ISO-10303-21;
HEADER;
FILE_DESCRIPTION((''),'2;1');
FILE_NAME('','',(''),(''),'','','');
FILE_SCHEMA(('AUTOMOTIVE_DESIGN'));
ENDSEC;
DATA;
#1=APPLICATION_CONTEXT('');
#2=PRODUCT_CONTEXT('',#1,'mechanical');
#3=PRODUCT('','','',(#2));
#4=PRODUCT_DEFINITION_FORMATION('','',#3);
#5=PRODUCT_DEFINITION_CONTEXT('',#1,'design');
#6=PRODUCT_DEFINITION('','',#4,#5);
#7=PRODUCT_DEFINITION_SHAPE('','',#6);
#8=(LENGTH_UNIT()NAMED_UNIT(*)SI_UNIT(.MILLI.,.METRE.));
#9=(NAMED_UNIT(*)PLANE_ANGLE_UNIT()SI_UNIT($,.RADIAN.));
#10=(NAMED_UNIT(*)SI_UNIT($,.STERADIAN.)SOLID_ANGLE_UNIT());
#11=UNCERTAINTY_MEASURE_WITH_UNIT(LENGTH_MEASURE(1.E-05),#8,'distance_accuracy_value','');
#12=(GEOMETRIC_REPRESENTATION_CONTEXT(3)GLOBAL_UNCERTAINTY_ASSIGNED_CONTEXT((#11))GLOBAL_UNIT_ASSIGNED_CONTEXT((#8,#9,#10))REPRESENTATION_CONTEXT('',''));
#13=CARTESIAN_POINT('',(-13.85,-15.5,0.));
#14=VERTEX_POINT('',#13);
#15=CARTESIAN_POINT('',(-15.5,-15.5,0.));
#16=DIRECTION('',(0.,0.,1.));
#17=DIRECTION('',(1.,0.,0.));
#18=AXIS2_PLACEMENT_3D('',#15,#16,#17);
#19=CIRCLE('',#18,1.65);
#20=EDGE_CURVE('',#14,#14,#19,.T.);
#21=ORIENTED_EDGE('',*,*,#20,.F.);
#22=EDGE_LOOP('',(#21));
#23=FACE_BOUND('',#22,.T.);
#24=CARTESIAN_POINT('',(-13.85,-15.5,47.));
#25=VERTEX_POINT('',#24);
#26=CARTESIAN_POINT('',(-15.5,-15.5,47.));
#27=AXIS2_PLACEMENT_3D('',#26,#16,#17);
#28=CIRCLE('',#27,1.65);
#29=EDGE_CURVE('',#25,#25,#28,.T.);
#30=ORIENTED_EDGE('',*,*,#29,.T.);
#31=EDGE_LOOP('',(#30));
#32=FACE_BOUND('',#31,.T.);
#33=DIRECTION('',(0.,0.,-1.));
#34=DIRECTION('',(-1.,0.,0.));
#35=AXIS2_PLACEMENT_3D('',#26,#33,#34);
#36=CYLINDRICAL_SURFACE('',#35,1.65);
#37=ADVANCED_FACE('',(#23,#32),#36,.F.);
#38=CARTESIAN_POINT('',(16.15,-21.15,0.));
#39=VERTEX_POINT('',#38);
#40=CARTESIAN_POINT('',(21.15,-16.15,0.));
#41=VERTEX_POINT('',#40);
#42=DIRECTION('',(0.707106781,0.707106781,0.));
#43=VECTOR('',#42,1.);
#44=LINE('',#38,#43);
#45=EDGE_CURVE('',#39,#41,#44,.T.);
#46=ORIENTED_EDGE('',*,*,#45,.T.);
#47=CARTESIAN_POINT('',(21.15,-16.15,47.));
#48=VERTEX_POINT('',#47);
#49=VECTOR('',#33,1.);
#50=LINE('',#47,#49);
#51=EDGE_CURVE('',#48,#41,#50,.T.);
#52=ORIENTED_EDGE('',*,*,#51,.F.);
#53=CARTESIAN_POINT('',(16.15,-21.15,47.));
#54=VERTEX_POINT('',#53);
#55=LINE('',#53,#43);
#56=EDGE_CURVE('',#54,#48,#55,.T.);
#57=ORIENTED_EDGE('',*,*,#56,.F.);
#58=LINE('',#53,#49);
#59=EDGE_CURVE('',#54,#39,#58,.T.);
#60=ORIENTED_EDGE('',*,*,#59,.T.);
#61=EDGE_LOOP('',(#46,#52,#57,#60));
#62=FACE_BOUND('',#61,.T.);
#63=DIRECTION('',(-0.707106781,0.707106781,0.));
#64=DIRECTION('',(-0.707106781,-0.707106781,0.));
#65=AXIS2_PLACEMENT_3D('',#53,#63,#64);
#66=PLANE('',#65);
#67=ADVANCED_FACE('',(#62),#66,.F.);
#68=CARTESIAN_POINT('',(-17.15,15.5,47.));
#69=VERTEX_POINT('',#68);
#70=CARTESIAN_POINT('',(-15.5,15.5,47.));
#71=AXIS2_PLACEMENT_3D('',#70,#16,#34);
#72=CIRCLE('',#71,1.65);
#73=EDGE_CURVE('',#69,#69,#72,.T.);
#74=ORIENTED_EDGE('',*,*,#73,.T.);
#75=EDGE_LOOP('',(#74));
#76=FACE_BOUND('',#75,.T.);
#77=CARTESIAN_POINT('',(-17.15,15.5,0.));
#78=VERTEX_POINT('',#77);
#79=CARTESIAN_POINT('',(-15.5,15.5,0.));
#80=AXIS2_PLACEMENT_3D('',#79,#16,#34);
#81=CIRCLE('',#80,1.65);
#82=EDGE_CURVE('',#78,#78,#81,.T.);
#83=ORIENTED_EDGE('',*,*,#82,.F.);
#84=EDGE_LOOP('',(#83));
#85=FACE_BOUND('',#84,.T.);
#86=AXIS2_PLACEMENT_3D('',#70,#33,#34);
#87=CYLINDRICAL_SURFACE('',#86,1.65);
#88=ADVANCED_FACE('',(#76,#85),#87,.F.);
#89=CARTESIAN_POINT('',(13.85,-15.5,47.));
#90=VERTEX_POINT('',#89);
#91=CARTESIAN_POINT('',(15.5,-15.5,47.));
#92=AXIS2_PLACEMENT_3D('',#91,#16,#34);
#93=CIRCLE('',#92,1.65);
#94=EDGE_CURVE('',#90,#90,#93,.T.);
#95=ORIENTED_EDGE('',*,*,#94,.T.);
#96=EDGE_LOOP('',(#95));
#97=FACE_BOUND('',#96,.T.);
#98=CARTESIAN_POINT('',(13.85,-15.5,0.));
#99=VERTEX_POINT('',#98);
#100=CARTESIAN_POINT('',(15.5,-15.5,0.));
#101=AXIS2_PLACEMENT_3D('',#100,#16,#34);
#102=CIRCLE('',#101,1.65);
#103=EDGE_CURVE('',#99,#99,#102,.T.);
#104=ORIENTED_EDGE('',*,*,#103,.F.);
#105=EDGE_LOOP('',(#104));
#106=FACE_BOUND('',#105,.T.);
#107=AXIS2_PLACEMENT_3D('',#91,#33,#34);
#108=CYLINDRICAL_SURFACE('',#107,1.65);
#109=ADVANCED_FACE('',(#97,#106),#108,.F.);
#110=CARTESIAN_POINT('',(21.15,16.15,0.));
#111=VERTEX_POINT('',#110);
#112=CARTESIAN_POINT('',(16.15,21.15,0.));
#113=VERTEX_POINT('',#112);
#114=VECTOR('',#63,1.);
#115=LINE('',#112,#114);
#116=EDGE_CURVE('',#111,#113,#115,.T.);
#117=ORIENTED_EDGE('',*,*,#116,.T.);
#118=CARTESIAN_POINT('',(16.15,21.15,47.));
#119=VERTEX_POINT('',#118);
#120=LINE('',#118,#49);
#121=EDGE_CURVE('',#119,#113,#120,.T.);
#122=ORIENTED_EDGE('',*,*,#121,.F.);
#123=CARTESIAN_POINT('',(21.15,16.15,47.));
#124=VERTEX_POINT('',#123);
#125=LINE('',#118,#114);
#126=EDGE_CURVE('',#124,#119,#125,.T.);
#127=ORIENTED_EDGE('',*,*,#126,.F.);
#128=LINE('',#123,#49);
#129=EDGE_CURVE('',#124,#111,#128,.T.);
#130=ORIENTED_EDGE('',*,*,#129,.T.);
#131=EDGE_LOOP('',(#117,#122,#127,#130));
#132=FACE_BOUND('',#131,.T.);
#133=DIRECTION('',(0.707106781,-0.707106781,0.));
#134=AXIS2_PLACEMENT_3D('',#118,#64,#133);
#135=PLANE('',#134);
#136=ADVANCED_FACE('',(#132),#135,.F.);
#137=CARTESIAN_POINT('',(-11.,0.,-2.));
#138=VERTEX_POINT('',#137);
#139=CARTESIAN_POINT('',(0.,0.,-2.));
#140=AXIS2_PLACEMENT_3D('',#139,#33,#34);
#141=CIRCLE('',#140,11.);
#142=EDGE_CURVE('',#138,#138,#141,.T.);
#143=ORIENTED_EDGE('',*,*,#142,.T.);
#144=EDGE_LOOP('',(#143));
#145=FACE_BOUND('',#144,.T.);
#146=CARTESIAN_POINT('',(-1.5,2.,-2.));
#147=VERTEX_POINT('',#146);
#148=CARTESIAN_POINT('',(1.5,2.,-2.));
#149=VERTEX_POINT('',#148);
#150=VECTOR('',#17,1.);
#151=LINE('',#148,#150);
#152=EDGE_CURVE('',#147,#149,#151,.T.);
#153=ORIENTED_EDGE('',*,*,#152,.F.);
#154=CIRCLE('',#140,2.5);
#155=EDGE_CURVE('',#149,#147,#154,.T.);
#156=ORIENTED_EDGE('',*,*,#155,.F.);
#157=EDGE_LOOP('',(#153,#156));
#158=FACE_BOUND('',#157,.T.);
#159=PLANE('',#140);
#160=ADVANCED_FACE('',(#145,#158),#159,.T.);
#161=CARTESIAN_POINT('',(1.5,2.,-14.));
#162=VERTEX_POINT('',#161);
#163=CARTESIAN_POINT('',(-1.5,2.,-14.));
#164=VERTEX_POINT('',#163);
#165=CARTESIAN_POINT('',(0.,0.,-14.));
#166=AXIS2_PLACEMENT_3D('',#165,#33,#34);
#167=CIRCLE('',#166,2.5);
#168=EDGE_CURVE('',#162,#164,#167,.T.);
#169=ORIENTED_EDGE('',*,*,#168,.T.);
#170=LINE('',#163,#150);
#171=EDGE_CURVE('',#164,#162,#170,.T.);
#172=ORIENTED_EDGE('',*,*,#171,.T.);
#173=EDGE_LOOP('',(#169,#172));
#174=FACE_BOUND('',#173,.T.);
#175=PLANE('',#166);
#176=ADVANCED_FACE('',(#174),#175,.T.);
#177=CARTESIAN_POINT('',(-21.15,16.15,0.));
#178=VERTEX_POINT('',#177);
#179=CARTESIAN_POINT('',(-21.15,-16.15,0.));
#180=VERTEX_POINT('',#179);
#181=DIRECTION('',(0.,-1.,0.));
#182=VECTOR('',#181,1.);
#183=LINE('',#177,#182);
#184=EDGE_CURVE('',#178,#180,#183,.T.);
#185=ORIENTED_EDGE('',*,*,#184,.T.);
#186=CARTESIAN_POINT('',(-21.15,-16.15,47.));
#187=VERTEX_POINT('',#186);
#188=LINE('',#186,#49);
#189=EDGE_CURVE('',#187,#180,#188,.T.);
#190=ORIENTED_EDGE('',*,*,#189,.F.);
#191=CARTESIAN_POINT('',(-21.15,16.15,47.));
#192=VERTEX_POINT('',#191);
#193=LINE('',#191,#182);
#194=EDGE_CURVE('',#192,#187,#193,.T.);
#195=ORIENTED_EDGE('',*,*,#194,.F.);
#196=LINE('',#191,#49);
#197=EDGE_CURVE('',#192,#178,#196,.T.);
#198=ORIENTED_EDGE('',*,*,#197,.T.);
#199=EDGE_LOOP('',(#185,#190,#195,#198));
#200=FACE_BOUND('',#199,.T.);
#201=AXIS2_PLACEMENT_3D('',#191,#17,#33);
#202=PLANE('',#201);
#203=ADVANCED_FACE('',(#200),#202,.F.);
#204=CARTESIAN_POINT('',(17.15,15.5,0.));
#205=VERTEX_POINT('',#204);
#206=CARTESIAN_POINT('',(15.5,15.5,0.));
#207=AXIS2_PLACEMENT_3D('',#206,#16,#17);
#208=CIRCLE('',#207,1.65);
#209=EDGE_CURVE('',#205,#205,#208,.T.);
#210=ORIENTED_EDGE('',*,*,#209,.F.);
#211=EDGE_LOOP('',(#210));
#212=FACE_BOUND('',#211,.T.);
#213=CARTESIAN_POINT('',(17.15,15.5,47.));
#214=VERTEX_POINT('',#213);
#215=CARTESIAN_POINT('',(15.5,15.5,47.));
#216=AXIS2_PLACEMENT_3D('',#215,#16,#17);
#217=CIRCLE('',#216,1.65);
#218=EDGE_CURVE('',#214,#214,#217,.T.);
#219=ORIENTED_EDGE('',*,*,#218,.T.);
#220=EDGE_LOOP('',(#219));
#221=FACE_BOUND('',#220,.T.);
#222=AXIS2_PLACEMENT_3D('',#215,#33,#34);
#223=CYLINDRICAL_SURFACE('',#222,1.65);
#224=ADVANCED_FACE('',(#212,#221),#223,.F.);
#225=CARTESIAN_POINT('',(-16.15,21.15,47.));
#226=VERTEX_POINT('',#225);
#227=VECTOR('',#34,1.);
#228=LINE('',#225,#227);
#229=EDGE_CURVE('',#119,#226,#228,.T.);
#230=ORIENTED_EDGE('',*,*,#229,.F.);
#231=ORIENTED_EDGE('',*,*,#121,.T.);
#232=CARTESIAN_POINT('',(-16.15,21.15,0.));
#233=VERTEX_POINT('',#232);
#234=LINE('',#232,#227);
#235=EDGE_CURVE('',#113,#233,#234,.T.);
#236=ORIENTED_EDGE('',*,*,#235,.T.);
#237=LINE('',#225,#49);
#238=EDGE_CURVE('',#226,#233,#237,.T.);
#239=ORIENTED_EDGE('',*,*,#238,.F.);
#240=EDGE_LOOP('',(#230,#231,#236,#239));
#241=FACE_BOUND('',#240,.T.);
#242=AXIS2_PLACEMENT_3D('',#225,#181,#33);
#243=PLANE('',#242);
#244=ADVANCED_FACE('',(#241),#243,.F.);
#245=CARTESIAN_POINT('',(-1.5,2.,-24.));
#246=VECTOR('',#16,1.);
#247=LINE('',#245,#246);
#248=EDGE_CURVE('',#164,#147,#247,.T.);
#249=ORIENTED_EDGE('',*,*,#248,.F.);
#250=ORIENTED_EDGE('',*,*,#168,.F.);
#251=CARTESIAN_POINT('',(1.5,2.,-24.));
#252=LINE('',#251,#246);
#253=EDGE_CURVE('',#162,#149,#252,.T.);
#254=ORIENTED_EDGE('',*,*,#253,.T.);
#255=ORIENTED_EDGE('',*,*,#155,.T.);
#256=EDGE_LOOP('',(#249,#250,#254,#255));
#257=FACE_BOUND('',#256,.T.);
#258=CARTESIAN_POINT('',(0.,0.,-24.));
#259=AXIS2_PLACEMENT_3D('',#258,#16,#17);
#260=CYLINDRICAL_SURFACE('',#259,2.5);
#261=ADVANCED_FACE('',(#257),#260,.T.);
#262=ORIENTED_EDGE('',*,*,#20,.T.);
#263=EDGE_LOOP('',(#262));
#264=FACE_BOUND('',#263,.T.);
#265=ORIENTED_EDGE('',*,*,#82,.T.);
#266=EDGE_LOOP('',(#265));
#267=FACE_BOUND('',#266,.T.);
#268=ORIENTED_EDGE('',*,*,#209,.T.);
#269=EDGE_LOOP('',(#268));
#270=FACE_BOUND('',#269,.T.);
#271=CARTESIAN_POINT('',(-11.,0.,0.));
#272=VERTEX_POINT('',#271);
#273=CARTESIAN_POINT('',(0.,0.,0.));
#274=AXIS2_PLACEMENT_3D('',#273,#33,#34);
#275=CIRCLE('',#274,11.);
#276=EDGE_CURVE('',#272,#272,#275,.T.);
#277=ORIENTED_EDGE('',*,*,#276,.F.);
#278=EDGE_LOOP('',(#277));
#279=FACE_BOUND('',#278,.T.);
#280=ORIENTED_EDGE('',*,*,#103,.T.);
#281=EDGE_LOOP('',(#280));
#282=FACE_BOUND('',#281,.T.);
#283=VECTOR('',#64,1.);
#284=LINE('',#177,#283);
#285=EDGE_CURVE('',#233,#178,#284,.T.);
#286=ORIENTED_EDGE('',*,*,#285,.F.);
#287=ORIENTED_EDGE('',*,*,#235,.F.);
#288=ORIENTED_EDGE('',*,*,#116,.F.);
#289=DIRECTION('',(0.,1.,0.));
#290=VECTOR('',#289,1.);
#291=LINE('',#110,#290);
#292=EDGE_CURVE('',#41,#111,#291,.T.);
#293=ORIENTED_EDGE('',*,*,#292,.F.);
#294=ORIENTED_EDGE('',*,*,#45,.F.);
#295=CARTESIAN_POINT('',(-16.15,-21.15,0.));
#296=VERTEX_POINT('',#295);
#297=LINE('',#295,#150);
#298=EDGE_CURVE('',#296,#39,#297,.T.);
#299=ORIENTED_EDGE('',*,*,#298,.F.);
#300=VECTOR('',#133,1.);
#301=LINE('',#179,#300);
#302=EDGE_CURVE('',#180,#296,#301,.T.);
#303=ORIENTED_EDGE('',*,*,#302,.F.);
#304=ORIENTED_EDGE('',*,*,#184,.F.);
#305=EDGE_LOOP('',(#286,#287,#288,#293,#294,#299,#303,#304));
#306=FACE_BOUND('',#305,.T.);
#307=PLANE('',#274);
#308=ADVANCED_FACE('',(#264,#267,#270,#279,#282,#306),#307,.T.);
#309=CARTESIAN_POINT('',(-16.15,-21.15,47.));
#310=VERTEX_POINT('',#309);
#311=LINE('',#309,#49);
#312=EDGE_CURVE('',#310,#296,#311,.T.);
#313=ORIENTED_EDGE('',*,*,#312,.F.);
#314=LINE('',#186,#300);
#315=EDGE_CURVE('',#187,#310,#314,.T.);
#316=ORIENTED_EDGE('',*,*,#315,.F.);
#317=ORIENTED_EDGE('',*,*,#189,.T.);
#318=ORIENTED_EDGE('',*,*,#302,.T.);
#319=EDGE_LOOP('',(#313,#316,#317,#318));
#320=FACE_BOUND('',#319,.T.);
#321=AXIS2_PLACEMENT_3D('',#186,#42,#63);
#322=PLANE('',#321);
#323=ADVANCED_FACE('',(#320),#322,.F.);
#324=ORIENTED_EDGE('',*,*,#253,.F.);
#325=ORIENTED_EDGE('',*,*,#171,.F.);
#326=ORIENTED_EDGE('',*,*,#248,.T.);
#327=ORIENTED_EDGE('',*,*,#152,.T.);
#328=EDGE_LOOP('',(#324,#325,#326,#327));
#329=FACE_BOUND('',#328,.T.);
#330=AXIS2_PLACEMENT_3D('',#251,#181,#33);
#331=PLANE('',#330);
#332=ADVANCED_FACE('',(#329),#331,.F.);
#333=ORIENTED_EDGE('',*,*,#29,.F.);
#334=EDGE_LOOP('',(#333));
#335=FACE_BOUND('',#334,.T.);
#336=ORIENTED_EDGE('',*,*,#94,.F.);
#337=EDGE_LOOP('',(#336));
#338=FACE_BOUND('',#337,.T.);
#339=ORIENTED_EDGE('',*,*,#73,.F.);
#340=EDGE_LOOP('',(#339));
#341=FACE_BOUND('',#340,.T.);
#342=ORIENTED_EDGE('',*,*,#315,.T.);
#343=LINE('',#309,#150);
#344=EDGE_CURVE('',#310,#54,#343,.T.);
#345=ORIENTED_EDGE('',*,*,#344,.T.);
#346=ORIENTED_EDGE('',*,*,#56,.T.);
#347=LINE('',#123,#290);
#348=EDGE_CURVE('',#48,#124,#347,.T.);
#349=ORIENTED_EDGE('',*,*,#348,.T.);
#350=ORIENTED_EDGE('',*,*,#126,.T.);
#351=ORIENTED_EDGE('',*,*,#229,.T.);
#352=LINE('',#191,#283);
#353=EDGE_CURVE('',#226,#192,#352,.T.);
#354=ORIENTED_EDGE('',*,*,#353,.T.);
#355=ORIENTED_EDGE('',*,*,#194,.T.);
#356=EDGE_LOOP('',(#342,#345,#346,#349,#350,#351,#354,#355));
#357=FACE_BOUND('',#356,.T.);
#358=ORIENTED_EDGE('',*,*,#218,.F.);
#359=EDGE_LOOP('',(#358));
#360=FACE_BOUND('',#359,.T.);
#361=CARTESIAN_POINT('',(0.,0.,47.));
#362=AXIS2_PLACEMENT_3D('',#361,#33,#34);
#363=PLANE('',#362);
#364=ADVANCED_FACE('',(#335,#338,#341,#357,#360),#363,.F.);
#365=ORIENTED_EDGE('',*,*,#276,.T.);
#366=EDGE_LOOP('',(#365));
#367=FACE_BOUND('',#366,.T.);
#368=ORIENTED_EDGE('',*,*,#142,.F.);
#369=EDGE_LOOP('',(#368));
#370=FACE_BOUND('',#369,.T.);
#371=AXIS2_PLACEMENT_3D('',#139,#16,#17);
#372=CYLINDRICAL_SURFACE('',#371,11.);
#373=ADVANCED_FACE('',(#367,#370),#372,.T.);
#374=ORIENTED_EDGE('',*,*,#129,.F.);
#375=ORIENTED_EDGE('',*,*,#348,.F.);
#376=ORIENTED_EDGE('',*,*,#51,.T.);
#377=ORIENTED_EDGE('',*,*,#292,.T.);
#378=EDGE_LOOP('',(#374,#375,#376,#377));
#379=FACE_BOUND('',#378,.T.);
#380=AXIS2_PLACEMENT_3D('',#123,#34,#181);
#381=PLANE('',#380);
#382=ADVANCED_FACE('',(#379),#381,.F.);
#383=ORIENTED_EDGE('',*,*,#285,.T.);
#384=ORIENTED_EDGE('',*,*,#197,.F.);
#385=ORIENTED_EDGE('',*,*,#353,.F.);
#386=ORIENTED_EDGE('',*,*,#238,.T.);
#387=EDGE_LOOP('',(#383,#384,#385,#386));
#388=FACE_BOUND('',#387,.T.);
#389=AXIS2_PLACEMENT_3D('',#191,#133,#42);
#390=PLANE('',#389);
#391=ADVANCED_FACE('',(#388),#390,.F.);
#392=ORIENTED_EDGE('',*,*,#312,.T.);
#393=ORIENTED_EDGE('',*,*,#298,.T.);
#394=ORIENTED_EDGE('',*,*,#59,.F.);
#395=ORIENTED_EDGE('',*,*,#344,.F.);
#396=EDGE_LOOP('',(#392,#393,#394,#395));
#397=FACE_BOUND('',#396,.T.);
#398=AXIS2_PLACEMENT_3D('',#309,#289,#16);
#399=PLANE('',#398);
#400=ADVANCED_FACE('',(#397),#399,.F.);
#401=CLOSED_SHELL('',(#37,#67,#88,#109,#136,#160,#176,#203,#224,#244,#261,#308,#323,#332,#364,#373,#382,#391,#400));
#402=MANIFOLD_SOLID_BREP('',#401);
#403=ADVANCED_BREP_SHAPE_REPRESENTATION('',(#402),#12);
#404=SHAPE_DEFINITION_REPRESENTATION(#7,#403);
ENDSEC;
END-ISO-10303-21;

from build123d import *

# Parameters (mm, degrees)
SKETCH_1_R          = 1.65
EXTRUDE_1_DEPTH     = 47
SKETCH_3_R          = 11
EXTRUDE_2_DEPTH     = 2
EXTRUDE_3_DEPTH     = 22
CUT_EXTRUDE_1_DEPTH = 10


with BuildPart() as part:
    # 草图1 → 凸台-拉伸1 (new body)
    with BuildSketch(Plane.XY):
        Polygon((-21.15, 16.15), (-16.15, 21.15), (16.15, 21.15), (21.15, 16.15), (21.15, -16.15), (16.15, -21.15), (-16.15, -21.15), (-21.15, -16.15), align=None)
        with Locations((15.5, 15.5)):
            Circle(SKETCH_1_R, mode=Mode.SUBTRACT)
        with Locations((-15.5, 15.5)):
            Circle(SKETCH_1_R, mode=Mode.SUBTRACT)
        with Locations((15.5, -15.5)):
            Circle(SKETCH_1_R, mode=Mode.SUBTRACT)
        with Locations((-15.5, -15.5)):
            Circle(SKETCH_1_R, mode=Mode.SUBTRACT)
    extrude(amount=EXTRUDE_1_DEPTH)

    # 草图3 → 凸台-拉伸2 (add)
    with BuildSketch(Plane(origin=(0, 0, 0), x_dir=(-1, 0, 0), z_dir=(0, 0, -1))):
        Circle(SKETCH_3_R)
    extrude(amount=EXTRUDE_2_DEPTH)

    # 草图4 → 凸台-拉伸3 (add)
    with BuildSketch(Plane(origin=(0, 0, -2), x_dir=(-1, 0, 0), z_dir=(0, 0, -1))):
        with BuildLine():
            Line((-1.5, 2), (1.5, 2))
            ThreePointArc((1.5, 2), (0, -2.5), (-1.5, 2))
        make_face()
    extrude(amount=EXTRUDE_3_DEPTH)

    # 草图5 → 切除-拉伸1 (cut)
    with BuildSketch(Plane(origin=(0, 0, -24), x_dir=(-1, 0, 0), z_dir=(0, 0, -1))):
        with BuildLine():
            Line((1.5, 2), (-1.5, 2))
            ThreePointArc((-1.5, 2), (0, -2.5), (1.5, 2))
        make_face()
    extrude(amount=-CUT_EXTRUDE_1_DEPTH, mode=Mode.SUBTRACT)


solid = part.part
